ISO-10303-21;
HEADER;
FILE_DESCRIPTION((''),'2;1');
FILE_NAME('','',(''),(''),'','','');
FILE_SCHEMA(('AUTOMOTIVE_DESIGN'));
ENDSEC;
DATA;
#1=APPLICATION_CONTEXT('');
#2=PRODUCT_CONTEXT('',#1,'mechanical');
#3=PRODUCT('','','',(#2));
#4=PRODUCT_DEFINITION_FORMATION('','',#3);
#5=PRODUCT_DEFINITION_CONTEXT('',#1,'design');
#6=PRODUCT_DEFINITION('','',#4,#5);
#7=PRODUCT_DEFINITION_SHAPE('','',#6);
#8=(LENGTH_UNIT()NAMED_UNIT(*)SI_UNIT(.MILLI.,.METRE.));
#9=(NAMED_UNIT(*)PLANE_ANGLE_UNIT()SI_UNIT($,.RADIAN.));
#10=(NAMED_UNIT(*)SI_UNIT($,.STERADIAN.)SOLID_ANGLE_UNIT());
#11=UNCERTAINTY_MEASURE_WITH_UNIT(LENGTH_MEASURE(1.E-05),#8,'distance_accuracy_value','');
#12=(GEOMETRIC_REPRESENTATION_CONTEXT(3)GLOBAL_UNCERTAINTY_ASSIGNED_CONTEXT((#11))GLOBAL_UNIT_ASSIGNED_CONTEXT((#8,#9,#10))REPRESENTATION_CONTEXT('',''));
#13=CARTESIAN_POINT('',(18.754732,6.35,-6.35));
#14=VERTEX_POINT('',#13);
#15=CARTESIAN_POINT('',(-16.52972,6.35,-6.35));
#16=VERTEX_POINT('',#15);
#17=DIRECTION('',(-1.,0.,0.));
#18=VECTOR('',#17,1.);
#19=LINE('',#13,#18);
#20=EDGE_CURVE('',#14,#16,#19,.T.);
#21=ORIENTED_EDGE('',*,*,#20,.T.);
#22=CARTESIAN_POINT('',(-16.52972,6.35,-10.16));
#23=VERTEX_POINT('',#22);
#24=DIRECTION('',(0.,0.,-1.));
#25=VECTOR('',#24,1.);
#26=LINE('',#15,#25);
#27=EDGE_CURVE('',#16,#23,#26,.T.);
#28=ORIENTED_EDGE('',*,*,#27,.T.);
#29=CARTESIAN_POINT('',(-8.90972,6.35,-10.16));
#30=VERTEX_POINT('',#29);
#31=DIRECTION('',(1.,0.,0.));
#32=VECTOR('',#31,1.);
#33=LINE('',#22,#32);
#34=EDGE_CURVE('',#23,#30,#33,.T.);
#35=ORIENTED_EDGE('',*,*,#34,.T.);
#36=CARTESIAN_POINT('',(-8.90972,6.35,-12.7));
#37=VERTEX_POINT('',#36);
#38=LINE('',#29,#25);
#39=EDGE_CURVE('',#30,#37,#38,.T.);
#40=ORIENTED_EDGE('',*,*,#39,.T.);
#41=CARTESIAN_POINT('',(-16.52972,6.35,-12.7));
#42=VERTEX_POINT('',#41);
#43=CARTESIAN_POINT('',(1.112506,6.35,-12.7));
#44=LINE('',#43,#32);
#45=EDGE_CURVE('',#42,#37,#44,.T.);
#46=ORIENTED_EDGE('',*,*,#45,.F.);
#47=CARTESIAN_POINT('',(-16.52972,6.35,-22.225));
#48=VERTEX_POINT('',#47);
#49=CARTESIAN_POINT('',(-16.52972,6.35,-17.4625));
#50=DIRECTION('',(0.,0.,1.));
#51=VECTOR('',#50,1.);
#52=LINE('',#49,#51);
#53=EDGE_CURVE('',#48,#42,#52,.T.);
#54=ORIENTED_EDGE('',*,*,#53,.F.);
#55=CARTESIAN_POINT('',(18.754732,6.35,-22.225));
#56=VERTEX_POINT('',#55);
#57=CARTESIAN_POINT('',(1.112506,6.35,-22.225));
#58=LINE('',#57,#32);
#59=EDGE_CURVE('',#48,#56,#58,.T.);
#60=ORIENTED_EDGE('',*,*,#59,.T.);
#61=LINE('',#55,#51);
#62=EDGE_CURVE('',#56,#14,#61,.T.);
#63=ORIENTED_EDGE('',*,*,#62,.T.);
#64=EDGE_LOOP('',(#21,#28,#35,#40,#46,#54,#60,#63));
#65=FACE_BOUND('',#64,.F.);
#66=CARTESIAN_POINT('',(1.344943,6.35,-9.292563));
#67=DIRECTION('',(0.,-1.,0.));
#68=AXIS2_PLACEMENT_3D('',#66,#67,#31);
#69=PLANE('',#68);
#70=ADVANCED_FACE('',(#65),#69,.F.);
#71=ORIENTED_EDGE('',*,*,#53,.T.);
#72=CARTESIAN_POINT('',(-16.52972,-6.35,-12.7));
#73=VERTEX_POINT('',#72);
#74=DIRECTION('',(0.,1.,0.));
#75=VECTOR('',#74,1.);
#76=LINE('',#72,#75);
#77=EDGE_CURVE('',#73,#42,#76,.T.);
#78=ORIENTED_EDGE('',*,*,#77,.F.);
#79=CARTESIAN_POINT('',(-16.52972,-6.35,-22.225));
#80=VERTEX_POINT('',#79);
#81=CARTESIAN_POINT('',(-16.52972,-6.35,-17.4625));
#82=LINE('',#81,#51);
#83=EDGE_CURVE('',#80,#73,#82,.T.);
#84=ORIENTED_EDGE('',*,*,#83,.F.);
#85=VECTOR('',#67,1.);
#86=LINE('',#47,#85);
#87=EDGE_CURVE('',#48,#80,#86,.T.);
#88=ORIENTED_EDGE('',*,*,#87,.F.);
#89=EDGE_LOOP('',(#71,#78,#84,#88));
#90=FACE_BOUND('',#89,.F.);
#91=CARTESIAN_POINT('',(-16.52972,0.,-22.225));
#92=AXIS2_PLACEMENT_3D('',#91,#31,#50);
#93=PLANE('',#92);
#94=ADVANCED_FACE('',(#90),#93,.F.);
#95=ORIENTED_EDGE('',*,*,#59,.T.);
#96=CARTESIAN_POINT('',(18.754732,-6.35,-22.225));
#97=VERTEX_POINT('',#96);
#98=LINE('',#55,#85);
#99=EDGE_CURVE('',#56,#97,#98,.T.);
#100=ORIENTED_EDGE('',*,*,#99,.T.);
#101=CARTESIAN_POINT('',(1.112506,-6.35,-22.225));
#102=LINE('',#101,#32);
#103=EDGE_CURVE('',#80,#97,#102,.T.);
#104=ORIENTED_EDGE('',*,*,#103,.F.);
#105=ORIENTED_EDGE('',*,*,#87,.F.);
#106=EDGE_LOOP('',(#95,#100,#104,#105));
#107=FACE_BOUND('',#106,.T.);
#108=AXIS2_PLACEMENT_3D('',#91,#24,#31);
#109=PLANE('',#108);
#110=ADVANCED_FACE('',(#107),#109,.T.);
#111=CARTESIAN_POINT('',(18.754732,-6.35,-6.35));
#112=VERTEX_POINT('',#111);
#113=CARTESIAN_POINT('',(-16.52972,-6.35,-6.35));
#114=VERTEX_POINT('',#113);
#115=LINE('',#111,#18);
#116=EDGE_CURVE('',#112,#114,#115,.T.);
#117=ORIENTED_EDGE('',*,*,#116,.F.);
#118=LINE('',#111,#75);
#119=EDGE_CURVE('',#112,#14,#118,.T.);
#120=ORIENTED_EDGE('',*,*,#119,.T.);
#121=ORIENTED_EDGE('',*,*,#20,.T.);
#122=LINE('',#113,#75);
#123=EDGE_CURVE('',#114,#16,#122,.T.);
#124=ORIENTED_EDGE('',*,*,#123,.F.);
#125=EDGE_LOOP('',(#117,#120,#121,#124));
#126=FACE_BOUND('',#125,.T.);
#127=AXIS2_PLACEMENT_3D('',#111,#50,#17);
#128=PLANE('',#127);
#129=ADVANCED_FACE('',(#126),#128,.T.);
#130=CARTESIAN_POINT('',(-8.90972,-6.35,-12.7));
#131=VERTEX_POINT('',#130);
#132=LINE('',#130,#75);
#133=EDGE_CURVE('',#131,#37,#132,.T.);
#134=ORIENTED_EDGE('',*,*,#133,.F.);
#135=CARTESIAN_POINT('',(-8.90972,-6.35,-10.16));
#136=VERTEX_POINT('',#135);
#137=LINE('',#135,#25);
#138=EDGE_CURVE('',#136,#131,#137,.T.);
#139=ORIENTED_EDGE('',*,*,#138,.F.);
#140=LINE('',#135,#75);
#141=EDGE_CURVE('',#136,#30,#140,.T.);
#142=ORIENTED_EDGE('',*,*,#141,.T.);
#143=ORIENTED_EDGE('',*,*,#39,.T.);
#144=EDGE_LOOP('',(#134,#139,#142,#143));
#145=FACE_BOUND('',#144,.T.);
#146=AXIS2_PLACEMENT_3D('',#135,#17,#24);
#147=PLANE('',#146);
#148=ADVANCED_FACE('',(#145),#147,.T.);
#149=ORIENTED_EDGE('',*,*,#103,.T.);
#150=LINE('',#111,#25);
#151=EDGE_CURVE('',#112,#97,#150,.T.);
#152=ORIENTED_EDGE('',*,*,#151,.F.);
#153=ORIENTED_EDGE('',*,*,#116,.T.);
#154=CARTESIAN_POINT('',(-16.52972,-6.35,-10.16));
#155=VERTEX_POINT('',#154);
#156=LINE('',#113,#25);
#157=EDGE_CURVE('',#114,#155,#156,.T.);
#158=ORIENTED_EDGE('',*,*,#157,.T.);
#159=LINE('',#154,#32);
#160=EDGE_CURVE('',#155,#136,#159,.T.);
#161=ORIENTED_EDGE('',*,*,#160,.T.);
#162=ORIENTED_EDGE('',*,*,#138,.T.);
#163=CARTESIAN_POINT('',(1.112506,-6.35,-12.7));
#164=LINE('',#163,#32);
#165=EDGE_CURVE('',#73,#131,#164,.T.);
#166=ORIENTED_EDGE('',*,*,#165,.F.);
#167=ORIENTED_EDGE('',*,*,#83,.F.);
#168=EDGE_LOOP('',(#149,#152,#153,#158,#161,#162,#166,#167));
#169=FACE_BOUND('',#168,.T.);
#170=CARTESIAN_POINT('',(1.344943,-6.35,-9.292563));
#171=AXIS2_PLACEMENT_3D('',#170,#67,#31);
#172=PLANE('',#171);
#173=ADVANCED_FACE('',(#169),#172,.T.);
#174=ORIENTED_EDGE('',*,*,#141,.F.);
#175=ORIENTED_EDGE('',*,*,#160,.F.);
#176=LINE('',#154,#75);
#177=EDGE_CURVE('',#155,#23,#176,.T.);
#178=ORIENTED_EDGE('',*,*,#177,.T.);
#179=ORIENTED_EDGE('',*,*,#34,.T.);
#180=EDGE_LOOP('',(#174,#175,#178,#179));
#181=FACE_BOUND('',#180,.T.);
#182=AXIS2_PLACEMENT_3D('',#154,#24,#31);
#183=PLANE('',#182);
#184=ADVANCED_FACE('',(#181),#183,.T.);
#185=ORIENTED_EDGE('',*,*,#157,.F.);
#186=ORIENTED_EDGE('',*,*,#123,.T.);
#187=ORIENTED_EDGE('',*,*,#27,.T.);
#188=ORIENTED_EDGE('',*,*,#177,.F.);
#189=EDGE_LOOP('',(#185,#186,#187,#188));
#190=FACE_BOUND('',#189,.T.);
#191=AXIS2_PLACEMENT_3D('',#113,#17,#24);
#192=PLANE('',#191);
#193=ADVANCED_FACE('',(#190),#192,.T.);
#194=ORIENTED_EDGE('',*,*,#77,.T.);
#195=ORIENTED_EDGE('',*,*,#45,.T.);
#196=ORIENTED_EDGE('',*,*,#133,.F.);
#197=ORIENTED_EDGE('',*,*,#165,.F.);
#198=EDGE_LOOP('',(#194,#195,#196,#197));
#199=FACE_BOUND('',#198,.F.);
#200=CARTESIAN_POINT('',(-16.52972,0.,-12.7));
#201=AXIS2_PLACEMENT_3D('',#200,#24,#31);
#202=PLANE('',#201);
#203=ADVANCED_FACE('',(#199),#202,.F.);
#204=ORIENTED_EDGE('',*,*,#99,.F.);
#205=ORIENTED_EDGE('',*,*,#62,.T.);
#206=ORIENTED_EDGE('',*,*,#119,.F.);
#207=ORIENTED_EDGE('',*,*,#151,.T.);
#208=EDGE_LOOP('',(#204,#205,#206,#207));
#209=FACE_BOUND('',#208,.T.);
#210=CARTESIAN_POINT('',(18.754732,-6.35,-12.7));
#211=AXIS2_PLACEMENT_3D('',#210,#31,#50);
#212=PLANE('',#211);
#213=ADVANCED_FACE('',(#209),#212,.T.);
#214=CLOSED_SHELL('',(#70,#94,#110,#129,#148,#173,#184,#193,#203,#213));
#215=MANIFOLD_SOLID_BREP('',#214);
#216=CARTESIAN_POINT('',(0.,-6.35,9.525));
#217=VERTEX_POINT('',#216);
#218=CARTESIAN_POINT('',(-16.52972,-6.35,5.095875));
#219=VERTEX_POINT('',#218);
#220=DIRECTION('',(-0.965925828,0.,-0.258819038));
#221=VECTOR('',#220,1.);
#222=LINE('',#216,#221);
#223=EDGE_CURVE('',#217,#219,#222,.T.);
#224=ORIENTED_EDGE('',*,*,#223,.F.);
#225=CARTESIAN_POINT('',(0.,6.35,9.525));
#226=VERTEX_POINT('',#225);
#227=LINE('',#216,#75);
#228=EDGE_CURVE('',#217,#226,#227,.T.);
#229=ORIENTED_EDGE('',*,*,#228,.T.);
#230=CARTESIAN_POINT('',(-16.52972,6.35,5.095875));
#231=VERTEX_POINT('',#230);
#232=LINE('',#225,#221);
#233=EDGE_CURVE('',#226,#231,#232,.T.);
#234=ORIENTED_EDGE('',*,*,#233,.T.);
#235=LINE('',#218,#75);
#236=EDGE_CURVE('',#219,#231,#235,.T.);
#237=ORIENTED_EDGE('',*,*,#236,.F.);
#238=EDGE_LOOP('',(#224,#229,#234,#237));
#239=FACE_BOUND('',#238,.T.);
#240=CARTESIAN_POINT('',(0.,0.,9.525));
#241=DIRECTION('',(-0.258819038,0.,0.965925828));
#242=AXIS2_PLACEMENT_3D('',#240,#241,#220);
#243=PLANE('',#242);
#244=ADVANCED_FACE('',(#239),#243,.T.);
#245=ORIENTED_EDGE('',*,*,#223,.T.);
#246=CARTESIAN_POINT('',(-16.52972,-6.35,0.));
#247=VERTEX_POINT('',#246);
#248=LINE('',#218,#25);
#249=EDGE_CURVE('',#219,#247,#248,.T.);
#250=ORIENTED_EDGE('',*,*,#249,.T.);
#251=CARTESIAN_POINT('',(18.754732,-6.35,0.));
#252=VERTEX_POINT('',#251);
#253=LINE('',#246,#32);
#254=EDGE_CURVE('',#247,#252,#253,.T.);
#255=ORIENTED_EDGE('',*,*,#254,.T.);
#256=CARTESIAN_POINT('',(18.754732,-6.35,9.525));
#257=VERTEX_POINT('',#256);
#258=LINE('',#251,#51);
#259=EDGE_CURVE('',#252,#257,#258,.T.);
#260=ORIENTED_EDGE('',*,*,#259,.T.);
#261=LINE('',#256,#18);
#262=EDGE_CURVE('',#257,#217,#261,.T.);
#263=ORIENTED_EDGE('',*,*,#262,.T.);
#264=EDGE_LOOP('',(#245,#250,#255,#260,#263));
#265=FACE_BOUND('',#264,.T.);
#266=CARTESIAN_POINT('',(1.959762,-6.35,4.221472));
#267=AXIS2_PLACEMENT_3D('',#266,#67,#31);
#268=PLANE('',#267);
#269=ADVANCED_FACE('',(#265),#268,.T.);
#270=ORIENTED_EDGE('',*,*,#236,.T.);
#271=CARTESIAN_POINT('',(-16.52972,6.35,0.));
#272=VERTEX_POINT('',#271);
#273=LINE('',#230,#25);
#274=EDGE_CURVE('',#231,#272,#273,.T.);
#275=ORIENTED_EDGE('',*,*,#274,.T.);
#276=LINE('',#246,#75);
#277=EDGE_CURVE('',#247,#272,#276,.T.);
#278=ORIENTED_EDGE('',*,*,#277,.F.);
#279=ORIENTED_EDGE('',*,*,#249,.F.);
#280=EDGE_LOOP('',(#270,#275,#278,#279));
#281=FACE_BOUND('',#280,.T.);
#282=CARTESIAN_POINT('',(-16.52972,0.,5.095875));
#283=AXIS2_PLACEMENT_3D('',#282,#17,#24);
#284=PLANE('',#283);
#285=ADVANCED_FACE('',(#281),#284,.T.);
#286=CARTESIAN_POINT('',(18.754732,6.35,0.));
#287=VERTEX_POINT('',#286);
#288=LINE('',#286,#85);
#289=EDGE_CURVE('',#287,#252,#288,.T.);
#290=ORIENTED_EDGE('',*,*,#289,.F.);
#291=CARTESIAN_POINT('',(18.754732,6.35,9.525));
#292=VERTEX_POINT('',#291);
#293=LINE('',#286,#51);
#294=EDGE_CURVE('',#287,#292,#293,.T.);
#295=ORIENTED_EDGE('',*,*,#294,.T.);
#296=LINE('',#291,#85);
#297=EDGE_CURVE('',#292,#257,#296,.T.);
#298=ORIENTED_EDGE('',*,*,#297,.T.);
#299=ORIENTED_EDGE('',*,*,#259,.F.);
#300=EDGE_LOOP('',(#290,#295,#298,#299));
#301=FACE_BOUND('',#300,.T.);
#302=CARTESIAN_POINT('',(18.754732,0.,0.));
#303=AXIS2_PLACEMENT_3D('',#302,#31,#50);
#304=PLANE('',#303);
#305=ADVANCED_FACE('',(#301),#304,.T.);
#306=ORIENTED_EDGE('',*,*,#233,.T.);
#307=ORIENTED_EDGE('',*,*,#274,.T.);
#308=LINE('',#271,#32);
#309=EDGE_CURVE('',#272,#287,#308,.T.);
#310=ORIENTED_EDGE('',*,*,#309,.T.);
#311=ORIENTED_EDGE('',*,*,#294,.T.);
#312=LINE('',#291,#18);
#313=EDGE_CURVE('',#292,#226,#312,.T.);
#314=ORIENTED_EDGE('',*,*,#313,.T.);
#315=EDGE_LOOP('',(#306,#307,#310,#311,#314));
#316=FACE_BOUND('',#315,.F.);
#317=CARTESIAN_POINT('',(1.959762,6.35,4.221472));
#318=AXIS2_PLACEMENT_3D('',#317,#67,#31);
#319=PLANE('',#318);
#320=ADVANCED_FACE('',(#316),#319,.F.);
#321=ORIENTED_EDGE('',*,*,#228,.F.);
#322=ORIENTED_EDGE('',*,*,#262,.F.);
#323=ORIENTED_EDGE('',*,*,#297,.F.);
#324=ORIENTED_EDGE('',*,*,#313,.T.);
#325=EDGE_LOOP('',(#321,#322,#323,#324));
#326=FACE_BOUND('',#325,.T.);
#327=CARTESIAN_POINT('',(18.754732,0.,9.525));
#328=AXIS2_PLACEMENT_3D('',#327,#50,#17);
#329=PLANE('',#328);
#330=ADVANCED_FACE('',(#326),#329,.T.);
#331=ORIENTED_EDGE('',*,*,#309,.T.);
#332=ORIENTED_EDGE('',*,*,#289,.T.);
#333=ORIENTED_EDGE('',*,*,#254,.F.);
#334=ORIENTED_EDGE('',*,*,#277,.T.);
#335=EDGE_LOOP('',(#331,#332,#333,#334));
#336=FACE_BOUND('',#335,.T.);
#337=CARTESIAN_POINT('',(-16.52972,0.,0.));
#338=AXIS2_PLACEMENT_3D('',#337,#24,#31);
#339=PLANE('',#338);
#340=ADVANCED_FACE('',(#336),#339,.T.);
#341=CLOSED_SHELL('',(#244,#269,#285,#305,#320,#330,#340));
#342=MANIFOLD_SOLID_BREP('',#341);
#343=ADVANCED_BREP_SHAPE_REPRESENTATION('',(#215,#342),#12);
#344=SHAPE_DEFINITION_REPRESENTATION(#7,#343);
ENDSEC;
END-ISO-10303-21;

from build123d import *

# Parameters (mm, degrees)
F1_DEPTH = 6.35
F2_W     = 35.284452
F2_H     = 9.525
F3_DEPTH = 6.35
F5_DEPTH = 12.7


with BuildPart() as f1:
    # F0 (on Front) → F1 (new body, symmetric)
    with BuildSketch(Plane.XZ):
        Polygon((-16.52972, 0), (0, 0), (18.754732, 0), (18.754732, 9.525), (0, 9.525), (-16.52972, 5.095875), align=None)
    extrude(amount=F1_DEPTH, both=True)


with BuildPart() as f3:
    # F2 (on Front) → F3 (new body, symmetric)
    with BuildSketch(Plane.XZ):
        with Locations((1.112506, -17.4625)):
            Rectangle(F2_W, F2_H)
    extrude(amount=F3_DEPTH, both=True)

    # F4 (on face) → F5 (join, through all)
    with BuildSketch(Plane.XZ.offset(6.35)):
        Polygon((-8.90972, -12.7), (18.754732, -12.7), (18.754732, -10.16), (18.754732, -6.35), (-16.52972, -6.35), (-16.52972, -10.16), (-8.90972, -10.16), align=None)
    extrude(amount=-F5_DEPTH)


solid = Compound([f1.part, f3.part])
